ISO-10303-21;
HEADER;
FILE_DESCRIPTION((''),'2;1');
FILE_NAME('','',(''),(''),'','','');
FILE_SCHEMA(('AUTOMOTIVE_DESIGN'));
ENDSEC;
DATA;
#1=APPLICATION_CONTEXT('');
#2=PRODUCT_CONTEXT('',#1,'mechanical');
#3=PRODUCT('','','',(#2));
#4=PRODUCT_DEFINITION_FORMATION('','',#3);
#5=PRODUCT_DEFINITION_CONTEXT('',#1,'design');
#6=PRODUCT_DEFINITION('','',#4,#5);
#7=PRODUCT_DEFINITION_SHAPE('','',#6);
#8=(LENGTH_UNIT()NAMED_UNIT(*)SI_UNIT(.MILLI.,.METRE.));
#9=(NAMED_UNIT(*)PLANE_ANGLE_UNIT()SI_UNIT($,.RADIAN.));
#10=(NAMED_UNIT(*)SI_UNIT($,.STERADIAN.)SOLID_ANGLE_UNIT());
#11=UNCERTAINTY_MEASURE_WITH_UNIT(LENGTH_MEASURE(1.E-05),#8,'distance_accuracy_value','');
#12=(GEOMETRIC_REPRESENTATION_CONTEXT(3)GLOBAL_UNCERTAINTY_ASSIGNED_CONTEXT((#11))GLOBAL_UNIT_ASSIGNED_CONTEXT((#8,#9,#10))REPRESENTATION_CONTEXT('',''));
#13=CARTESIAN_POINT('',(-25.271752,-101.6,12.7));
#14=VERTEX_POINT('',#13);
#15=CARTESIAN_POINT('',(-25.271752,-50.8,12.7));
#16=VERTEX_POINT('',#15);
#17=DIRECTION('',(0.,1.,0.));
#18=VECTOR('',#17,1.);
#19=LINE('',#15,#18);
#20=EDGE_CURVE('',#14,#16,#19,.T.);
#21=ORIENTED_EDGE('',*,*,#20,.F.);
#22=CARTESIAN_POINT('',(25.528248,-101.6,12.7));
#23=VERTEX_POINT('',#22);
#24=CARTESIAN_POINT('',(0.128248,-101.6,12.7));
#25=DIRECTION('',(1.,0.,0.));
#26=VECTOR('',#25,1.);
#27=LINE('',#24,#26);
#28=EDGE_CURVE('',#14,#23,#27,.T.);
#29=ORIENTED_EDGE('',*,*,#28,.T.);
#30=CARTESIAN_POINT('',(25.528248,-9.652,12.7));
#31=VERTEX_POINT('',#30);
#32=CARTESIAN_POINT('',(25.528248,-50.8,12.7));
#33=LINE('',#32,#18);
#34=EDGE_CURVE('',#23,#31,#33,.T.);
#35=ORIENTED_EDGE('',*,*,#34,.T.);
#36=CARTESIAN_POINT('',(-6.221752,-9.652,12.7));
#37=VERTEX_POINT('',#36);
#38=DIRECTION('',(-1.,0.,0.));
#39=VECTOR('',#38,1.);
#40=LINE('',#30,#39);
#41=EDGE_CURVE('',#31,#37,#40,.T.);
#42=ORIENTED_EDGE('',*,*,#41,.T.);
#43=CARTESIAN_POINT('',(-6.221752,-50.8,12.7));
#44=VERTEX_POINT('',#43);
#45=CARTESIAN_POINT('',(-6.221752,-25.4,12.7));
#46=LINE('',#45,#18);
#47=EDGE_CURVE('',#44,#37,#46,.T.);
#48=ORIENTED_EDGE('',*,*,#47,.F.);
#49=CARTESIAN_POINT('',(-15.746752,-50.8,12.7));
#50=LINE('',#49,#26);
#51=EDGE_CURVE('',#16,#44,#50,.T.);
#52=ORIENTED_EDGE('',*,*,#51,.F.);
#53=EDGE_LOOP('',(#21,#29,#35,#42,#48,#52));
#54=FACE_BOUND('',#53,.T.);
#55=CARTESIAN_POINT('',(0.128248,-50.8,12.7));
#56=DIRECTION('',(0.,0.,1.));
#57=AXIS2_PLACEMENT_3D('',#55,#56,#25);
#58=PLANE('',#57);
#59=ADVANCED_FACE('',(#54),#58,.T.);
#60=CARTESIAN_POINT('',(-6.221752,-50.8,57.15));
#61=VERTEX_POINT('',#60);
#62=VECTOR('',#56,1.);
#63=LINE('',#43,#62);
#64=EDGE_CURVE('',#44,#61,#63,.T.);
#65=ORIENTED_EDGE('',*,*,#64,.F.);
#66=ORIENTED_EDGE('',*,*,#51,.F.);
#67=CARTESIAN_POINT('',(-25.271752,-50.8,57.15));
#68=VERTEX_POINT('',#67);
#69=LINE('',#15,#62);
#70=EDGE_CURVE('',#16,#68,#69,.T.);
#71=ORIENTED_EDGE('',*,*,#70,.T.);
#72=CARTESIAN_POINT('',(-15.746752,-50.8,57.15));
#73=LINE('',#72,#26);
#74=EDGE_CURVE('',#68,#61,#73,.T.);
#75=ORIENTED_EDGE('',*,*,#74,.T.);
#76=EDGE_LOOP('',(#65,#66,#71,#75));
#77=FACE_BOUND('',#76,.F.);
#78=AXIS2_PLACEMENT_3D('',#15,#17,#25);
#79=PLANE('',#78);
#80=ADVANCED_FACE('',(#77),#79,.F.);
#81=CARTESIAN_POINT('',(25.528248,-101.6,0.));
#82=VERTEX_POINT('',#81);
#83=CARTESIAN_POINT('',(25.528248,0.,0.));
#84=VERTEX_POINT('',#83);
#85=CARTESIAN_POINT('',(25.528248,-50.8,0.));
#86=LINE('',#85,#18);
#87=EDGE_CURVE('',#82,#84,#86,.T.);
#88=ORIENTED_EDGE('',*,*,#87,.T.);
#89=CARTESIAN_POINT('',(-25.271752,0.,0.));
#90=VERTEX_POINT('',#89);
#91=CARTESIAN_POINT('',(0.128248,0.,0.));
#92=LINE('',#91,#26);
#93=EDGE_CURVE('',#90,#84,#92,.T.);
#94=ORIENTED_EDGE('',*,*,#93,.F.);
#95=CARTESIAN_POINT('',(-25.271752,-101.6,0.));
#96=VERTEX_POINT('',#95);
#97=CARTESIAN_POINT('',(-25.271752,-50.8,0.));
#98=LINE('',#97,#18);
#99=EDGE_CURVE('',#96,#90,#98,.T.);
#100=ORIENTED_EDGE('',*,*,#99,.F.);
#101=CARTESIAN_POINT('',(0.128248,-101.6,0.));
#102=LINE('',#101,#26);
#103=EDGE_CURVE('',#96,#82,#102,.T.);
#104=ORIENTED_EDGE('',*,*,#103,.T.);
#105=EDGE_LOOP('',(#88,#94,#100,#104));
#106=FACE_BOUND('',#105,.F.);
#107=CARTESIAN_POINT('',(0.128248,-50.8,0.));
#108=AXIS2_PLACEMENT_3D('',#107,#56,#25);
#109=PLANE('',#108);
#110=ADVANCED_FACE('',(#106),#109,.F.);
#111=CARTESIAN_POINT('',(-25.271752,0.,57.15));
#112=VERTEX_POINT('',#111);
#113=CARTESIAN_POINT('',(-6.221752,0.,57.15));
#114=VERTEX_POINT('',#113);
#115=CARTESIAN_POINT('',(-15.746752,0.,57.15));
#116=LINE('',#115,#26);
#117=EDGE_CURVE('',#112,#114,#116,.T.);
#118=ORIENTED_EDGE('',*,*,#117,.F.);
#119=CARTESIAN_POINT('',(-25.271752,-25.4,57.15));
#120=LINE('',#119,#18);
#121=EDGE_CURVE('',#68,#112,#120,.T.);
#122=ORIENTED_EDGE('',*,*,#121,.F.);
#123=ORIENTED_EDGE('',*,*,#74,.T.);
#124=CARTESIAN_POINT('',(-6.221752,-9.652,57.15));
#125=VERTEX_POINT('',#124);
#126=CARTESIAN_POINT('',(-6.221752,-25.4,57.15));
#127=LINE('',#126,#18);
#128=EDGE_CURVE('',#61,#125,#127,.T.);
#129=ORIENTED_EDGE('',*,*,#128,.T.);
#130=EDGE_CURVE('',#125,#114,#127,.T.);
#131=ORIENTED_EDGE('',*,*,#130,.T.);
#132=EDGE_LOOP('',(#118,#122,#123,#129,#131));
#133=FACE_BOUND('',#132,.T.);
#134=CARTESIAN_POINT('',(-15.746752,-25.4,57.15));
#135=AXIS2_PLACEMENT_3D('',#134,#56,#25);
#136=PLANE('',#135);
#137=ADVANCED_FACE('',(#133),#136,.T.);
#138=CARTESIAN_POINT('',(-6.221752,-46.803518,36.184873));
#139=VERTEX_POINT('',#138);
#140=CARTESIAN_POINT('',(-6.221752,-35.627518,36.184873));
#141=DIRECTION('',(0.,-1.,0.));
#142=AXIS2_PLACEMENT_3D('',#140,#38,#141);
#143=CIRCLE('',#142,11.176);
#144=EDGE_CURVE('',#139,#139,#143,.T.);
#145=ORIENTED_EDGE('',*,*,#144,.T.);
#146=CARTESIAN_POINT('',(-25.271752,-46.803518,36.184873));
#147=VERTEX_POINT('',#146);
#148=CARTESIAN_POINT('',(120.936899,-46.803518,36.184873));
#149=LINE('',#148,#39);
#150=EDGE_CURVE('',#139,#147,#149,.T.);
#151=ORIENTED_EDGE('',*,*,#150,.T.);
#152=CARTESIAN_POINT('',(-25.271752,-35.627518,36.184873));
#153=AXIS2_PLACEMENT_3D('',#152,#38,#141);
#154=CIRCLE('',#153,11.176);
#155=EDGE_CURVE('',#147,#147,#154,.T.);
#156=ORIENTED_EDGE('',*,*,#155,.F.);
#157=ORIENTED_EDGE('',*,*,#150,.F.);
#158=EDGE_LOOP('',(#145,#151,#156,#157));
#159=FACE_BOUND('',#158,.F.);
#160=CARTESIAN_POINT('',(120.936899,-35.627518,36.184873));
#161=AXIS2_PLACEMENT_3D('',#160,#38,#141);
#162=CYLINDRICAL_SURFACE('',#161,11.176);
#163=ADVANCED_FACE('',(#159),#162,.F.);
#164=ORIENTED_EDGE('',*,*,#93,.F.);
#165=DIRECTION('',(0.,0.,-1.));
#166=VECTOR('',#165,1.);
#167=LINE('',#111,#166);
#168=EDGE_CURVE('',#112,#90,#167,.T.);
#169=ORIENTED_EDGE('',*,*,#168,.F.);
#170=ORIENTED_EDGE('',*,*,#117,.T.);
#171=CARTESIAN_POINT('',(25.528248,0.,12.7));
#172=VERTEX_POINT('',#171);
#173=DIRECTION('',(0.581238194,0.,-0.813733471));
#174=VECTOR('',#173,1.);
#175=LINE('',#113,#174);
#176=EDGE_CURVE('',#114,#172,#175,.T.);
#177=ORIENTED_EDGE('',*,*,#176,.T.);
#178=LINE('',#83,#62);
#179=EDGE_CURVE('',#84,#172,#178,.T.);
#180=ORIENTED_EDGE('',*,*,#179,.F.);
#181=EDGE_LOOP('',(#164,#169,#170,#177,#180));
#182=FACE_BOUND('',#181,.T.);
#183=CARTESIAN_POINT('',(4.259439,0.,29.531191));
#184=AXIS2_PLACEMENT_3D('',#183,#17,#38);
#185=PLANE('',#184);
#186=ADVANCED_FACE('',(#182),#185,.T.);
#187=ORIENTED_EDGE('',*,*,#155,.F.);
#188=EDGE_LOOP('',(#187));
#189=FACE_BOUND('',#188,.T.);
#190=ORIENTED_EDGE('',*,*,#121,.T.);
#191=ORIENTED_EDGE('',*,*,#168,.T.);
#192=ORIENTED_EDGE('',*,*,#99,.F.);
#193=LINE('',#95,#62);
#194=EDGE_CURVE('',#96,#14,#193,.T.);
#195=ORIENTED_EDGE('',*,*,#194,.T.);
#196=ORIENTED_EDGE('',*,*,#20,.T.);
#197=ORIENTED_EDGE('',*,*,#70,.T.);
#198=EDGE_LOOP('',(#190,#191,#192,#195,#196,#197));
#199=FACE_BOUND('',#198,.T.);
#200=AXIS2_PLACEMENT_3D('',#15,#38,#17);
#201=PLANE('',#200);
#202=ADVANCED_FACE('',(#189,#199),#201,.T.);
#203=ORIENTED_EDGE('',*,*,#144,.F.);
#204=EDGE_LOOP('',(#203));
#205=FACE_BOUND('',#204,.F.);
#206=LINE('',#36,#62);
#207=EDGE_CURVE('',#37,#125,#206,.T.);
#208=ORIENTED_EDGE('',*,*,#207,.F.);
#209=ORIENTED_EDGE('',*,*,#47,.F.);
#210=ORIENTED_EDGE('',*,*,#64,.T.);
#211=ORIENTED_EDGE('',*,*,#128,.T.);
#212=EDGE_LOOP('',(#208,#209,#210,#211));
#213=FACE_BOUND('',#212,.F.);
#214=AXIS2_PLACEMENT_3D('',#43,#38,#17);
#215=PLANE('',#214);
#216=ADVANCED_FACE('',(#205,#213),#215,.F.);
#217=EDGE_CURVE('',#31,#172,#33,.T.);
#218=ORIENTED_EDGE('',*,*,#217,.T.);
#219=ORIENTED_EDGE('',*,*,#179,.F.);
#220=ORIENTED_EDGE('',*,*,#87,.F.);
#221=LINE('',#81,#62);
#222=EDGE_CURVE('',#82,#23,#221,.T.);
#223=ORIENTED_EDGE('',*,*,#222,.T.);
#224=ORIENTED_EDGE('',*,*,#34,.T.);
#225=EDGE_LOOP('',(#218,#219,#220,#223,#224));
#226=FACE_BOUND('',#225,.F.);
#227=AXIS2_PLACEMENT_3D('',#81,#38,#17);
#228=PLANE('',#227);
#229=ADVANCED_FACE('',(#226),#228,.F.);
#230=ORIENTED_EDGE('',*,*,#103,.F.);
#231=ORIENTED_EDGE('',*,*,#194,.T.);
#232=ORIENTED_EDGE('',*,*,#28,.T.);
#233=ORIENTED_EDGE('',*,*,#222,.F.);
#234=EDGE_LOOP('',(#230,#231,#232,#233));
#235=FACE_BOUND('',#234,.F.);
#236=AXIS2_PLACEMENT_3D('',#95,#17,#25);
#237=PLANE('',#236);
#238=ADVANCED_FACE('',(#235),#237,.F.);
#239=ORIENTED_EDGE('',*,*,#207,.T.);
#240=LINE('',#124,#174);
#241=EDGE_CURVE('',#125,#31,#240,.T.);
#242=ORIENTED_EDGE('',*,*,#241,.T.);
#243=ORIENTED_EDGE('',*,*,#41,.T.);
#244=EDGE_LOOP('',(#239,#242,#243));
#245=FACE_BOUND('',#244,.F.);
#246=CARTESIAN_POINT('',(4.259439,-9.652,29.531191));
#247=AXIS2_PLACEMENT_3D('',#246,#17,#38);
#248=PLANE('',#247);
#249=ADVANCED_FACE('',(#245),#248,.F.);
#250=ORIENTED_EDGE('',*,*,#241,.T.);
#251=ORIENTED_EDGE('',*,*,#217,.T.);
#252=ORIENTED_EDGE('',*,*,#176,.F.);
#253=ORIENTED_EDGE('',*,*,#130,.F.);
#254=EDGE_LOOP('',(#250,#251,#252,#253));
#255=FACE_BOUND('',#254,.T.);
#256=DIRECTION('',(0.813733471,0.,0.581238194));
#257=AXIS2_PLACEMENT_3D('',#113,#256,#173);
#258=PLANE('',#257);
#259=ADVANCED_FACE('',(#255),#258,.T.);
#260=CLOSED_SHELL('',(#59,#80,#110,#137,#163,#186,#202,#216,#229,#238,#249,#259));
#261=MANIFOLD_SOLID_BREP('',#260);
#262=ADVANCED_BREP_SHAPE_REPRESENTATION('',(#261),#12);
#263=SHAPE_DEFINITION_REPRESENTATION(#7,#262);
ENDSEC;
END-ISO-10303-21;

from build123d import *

# Parameters (mm, degrees)
F0_W     = 50.8
F0_H     = 101.6
F1_DEPTH = 12.7
F2_W     = 19.05
F2_H     = 50.8
F3_DEPTH = 44.45
F5_DEPTH = 9.652
F7_D     = 22.352


with BuildPart() as f1:
    # F0 (on Top) → F1 (new body)
    with BuildSketch(Plane.XY):
        with Locations((0.128248, -50.8)):
            Rectangle(F0_W, F0_H)
    extrude(amount=F1_DEPTH)

    # F2 (on face) → F3 (join)
    with BuildSketch(Plane.XY.offset(12.7)):
        with Locations((-15.746752, -25.4)):
            Rectangle(F2_W, F2_H)
    extrude(amount=F3_DEPTH)

    # F4 (on face) → F5 (join)
    with BuildSketch(Plane(origin=(0, 0, 0), x_dir=(-1, 0, 0), z_dir=(0, 1, 0))):
        Polygon((6.221752, 12.7), (6.221752, 57.15), (-25.528248, 12.7), align=None)
    extrude(amount=-F5_DEPTH)

    # F7 (through all)
    with Locations(Plane.YZ.offset(-6.221752)):
        with Locations((-35.627518, 36.184873)):
            Hole(F7_D / 2)


solid = f1.part
